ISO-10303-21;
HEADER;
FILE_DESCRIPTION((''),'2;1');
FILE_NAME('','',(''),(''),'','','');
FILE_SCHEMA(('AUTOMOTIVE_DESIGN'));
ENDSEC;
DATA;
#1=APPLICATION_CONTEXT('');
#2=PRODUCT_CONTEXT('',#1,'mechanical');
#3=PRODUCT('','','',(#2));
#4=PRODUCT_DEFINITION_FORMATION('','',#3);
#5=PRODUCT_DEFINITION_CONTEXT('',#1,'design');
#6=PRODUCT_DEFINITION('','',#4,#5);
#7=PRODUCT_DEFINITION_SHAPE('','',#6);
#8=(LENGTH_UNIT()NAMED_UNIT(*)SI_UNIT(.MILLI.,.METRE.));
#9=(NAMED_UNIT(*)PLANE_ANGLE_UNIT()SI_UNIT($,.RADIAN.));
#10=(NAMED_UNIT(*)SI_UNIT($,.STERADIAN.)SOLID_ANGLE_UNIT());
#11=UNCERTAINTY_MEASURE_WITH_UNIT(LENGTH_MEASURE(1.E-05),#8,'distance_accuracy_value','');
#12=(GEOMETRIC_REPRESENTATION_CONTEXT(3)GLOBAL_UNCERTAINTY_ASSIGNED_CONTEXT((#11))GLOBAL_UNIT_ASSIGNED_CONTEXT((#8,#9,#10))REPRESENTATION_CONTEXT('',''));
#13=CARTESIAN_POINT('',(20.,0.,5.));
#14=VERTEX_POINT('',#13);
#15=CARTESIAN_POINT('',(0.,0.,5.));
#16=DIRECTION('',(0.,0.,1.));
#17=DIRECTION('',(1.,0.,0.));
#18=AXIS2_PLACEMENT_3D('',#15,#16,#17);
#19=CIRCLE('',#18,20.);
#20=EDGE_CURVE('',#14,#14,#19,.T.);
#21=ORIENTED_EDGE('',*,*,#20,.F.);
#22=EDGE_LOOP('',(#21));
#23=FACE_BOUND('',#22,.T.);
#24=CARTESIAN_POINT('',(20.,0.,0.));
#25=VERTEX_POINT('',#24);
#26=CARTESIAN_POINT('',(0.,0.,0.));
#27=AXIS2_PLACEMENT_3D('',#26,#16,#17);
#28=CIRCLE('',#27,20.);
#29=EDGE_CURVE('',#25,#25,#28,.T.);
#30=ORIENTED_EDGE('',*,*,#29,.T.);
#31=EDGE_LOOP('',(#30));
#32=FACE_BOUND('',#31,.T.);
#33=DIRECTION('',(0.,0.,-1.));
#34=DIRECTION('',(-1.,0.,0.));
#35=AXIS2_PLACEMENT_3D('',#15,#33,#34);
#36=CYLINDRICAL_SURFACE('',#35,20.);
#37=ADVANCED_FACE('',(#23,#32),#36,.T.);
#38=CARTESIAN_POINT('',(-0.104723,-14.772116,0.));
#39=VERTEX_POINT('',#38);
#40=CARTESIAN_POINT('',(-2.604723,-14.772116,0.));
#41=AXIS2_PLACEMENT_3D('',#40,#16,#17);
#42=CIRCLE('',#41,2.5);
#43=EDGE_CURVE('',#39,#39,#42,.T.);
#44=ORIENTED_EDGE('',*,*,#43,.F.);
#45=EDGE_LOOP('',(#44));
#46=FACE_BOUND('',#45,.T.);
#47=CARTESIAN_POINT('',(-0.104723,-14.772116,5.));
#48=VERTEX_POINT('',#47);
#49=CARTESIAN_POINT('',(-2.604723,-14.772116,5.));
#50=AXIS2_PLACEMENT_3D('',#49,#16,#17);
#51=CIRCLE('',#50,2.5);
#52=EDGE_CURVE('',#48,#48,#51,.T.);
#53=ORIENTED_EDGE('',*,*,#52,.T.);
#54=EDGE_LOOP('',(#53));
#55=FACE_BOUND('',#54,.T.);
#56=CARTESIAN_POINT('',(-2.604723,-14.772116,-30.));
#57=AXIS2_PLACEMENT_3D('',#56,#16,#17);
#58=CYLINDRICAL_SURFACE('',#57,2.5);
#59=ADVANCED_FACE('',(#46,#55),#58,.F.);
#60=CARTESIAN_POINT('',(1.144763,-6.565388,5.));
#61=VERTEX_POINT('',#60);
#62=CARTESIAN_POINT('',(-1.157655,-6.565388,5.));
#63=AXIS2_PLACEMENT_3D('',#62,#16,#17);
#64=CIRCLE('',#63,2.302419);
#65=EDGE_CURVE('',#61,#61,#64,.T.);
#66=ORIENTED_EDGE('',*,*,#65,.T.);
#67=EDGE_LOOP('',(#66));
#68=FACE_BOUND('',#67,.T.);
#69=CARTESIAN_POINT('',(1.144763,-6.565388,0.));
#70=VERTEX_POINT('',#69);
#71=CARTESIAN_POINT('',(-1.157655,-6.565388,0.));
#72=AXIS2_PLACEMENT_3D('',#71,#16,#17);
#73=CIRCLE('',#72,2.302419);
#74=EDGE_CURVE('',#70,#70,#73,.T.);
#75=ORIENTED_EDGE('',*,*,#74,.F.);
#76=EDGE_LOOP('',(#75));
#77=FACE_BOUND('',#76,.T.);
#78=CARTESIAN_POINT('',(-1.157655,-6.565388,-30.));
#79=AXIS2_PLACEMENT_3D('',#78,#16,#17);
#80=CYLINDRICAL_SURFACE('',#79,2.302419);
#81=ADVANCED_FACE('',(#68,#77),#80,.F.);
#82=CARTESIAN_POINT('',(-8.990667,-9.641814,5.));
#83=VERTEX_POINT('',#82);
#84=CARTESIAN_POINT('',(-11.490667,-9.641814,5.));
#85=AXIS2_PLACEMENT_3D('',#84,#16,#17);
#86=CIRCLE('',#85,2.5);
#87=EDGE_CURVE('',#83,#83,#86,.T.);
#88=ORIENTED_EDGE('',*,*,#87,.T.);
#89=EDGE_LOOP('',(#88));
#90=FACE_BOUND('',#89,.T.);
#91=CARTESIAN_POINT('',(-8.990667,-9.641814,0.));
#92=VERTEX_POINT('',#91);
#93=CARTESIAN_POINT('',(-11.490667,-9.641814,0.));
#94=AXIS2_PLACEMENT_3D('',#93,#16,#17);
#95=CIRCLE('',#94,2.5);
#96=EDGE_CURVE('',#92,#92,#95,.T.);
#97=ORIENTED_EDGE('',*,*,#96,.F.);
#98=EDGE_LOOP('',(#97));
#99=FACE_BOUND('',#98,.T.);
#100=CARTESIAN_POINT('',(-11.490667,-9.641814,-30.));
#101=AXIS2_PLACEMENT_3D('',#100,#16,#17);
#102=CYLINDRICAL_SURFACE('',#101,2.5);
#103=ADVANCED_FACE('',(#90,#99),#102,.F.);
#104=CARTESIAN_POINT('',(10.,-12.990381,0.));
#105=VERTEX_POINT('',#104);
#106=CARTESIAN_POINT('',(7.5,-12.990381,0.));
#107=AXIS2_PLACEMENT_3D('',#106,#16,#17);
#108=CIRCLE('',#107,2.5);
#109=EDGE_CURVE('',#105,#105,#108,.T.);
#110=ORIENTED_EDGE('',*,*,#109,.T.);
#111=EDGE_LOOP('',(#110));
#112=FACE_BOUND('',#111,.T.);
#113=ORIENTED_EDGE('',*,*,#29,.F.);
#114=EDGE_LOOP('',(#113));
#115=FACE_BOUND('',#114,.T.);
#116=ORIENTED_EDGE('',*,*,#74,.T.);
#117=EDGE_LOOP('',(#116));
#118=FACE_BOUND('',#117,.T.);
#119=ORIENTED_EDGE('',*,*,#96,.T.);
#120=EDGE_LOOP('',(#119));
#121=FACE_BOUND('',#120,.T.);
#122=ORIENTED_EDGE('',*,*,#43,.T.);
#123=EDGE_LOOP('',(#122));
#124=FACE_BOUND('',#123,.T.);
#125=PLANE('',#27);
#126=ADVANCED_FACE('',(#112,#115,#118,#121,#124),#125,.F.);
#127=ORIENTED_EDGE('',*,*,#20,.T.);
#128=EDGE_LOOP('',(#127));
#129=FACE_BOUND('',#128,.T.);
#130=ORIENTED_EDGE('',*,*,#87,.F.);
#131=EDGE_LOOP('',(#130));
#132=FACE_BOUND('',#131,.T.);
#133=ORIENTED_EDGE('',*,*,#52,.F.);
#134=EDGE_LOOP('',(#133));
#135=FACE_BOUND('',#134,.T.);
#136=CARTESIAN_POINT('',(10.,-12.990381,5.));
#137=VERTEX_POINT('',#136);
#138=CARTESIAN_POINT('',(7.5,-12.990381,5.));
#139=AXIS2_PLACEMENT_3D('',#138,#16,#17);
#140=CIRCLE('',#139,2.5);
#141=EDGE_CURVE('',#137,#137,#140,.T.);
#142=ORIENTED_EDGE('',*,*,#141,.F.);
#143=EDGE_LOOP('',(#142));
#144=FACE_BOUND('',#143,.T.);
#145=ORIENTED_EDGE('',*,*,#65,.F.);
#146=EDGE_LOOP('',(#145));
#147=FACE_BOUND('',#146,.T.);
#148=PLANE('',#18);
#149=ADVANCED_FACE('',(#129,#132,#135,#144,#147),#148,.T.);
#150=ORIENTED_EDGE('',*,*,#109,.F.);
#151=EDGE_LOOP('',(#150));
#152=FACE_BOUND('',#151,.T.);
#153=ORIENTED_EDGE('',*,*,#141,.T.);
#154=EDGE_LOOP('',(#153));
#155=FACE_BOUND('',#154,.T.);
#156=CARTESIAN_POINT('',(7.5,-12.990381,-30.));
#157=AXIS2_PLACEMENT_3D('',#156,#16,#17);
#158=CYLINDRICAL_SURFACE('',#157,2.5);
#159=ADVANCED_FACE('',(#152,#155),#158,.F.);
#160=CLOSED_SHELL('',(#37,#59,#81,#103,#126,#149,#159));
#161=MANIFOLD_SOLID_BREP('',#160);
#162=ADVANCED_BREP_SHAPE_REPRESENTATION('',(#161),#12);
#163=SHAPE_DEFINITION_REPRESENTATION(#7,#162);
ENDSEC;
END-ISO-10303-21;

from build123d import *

# Parameters (mm, degrees)
SKETCH1_R           = 20
BOSS_EXTRUDE1_DEPTH = 5
SKETCH2_R           = 2.5
SKETCH2_R_2         = 2.302418505
CUT_EXTRUDE1_DEPTH  = 35


with BuildPart() as part:
    # Sketch1 → Boss-Extrude1 (new body)
    with BuildSketch(Plane.XY):
        Circle(SKETCH1_R)
    extrude(amount=BOSS_EXTRUDE1_DEPTH)

    # Sketch2 → Cut-Extrude1 (cut)
    with BuildSketch(Plane.XY.offset(5)):
        with Locations((7.5, -12.990381057)):
            Circle(SKETCH2_R)
        with Locations((-2.604722665, -14.772116295)):
            Circle(SKETCH2_R)
        with Locations((-11.490666647, -9.641814145)):
            Circle(SKETCH2_R)
        with Locations((-1.157655097, -6.565388303)):
            Circle(SKETCH2_R_2)
    extrude(amount=-CUT_EXTRUDE1_DEPTH, mode=Mode.SUBTRACT)


solid = part.part
